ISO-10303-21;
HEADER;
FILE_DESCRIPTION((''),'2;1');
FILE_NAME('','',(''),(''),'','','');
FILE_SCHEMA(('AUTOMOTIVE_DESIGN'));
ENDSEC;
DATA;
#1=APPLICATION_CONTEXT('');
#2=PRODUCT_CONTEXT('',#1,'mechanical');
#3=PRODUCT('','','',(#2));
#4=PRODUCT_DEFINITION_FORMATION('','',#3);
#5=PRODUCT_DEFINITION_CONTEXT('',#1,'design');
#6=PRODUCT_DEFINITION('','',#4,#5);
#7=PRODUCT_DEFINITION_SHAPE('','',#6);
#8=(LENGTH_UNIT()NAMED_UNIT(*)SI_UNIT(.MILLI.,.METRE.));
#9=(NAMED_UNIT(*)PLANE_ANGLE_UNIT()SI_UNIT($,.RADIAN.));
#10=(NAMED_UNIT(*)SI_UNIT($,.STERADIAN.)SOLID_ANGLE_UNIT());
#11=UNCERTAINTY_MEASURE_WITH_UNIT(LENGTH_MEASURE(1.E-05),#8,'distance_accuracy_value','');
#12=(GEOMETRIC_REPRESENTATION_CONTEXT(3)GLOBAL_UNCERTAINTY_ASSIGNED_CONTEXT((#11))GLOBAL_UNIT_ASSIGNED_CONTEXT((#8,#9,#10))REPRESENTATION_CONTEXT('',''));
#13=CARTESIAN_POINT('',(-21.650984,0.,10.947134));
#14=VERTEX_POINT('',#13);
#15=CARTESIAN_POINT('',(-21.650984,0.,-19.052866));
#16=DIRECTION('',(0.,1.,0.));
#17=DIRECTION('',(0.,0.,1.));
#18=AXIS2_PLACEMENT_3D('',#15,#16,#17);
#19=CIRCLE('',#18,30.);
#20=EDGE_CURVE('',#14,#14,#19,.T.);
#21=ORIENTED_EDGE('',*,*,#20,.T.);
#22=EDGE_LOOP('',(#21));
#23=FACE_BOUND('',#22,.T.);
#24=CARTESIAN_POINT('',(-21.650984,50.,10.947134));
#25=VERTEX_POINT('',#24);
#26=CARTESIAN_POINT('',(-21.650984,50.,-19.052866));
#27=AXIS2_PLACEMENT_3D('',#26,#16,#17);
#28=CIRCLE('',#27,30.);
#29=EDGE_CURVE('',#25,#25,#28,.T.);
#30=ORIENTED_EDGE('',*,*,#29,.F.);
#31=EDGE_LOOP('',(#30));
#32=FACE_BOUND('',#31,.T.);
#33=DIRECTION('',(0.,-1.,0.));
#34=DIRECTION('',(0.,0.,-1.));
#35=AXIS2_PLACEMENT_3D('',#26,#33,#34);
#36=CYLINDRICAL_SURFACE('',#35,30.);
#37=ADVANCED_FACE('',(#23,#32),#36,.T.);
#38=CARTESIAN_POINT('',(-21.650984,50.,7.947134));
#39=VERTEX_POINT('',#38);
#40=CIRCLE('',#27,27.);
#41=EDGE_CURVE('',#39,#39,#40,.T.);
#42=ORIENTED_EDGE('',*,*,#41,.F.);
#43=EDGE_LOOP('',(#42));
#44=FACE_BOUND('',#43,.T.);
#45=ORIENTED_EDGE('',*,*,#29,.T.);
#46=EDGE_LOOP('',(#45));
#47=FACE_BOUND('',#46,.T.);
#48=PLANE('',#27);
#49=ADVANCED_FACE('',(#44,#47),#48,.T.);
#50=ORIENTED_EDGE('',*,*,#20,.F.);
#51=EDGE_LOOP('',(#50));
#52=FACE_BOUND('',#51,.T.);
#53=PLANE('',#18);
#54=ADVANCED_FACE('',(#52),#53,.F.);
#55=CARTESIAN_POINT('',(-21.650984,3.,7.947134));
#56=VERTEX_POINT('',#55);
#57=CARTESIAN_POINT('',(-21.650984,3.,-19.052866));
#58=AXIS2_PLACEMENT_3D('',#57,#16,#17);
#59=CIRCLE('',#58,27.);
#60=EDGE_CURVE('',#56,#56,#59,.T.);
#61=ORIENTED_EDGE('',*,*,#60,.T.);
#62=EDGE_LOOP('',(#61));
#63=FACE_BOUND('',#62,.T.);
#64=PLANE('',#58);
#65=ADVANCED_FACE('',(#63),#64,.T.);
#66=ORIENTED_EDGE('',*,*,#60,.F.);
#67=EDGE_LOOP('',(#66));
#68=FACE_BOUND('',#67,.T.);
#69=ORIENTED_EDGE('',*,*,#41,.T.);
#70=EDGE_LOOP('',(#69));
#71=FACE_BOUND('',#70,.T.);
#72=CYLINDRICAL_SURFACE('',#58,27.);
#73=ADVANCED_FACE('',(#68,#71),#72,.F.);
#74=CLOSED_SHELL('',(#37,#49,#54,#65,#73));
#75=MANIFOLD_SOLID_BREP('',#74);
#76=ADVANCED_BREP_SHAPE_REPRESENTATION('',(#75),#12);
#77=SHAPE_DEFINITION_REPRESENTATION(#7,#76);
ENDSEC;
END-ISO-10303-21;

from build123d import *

# Parameters (mm, degrees)
SKETCH1_R           = 30
BOSS_EXTRUDE1_DEPTH = 50
SKETCH2_R           = 27
CUT_EXTRUDE1_DEPTH  = 47


with BuildPart() as part:
    # Sketch1 → Boss-Extrude1 (new body)
    with BuildSketch(Plane(origin=(0, 0, 0), x_dir=(1, 0, 0), z_dir=(0, 1, 0))):
        with Locations(Location((-21.650983604, 19.052865571, 0), (0, 0, 270))):
            Circle(SKETCH1_R)
    extrude(amount=BOSS_EXTRUDE1_DEPTH)

    # Sketch2 → Cut-Extrude1 (cut)
    with BuildSketch(Plane(origin=(0, 50, 0), x_dir=(1, 0, 0), z_dir=(0, 1, 0))):
        with Locations(Location((-21.650983604, 19.052865571, 0), (0, 0, 270))):
            Circle(SKETCH2_R)
    extrude(amount=-CUT_EXTRUDE1_DEPTH, mode=Mode.SUBTRACT)


solid = part.part
